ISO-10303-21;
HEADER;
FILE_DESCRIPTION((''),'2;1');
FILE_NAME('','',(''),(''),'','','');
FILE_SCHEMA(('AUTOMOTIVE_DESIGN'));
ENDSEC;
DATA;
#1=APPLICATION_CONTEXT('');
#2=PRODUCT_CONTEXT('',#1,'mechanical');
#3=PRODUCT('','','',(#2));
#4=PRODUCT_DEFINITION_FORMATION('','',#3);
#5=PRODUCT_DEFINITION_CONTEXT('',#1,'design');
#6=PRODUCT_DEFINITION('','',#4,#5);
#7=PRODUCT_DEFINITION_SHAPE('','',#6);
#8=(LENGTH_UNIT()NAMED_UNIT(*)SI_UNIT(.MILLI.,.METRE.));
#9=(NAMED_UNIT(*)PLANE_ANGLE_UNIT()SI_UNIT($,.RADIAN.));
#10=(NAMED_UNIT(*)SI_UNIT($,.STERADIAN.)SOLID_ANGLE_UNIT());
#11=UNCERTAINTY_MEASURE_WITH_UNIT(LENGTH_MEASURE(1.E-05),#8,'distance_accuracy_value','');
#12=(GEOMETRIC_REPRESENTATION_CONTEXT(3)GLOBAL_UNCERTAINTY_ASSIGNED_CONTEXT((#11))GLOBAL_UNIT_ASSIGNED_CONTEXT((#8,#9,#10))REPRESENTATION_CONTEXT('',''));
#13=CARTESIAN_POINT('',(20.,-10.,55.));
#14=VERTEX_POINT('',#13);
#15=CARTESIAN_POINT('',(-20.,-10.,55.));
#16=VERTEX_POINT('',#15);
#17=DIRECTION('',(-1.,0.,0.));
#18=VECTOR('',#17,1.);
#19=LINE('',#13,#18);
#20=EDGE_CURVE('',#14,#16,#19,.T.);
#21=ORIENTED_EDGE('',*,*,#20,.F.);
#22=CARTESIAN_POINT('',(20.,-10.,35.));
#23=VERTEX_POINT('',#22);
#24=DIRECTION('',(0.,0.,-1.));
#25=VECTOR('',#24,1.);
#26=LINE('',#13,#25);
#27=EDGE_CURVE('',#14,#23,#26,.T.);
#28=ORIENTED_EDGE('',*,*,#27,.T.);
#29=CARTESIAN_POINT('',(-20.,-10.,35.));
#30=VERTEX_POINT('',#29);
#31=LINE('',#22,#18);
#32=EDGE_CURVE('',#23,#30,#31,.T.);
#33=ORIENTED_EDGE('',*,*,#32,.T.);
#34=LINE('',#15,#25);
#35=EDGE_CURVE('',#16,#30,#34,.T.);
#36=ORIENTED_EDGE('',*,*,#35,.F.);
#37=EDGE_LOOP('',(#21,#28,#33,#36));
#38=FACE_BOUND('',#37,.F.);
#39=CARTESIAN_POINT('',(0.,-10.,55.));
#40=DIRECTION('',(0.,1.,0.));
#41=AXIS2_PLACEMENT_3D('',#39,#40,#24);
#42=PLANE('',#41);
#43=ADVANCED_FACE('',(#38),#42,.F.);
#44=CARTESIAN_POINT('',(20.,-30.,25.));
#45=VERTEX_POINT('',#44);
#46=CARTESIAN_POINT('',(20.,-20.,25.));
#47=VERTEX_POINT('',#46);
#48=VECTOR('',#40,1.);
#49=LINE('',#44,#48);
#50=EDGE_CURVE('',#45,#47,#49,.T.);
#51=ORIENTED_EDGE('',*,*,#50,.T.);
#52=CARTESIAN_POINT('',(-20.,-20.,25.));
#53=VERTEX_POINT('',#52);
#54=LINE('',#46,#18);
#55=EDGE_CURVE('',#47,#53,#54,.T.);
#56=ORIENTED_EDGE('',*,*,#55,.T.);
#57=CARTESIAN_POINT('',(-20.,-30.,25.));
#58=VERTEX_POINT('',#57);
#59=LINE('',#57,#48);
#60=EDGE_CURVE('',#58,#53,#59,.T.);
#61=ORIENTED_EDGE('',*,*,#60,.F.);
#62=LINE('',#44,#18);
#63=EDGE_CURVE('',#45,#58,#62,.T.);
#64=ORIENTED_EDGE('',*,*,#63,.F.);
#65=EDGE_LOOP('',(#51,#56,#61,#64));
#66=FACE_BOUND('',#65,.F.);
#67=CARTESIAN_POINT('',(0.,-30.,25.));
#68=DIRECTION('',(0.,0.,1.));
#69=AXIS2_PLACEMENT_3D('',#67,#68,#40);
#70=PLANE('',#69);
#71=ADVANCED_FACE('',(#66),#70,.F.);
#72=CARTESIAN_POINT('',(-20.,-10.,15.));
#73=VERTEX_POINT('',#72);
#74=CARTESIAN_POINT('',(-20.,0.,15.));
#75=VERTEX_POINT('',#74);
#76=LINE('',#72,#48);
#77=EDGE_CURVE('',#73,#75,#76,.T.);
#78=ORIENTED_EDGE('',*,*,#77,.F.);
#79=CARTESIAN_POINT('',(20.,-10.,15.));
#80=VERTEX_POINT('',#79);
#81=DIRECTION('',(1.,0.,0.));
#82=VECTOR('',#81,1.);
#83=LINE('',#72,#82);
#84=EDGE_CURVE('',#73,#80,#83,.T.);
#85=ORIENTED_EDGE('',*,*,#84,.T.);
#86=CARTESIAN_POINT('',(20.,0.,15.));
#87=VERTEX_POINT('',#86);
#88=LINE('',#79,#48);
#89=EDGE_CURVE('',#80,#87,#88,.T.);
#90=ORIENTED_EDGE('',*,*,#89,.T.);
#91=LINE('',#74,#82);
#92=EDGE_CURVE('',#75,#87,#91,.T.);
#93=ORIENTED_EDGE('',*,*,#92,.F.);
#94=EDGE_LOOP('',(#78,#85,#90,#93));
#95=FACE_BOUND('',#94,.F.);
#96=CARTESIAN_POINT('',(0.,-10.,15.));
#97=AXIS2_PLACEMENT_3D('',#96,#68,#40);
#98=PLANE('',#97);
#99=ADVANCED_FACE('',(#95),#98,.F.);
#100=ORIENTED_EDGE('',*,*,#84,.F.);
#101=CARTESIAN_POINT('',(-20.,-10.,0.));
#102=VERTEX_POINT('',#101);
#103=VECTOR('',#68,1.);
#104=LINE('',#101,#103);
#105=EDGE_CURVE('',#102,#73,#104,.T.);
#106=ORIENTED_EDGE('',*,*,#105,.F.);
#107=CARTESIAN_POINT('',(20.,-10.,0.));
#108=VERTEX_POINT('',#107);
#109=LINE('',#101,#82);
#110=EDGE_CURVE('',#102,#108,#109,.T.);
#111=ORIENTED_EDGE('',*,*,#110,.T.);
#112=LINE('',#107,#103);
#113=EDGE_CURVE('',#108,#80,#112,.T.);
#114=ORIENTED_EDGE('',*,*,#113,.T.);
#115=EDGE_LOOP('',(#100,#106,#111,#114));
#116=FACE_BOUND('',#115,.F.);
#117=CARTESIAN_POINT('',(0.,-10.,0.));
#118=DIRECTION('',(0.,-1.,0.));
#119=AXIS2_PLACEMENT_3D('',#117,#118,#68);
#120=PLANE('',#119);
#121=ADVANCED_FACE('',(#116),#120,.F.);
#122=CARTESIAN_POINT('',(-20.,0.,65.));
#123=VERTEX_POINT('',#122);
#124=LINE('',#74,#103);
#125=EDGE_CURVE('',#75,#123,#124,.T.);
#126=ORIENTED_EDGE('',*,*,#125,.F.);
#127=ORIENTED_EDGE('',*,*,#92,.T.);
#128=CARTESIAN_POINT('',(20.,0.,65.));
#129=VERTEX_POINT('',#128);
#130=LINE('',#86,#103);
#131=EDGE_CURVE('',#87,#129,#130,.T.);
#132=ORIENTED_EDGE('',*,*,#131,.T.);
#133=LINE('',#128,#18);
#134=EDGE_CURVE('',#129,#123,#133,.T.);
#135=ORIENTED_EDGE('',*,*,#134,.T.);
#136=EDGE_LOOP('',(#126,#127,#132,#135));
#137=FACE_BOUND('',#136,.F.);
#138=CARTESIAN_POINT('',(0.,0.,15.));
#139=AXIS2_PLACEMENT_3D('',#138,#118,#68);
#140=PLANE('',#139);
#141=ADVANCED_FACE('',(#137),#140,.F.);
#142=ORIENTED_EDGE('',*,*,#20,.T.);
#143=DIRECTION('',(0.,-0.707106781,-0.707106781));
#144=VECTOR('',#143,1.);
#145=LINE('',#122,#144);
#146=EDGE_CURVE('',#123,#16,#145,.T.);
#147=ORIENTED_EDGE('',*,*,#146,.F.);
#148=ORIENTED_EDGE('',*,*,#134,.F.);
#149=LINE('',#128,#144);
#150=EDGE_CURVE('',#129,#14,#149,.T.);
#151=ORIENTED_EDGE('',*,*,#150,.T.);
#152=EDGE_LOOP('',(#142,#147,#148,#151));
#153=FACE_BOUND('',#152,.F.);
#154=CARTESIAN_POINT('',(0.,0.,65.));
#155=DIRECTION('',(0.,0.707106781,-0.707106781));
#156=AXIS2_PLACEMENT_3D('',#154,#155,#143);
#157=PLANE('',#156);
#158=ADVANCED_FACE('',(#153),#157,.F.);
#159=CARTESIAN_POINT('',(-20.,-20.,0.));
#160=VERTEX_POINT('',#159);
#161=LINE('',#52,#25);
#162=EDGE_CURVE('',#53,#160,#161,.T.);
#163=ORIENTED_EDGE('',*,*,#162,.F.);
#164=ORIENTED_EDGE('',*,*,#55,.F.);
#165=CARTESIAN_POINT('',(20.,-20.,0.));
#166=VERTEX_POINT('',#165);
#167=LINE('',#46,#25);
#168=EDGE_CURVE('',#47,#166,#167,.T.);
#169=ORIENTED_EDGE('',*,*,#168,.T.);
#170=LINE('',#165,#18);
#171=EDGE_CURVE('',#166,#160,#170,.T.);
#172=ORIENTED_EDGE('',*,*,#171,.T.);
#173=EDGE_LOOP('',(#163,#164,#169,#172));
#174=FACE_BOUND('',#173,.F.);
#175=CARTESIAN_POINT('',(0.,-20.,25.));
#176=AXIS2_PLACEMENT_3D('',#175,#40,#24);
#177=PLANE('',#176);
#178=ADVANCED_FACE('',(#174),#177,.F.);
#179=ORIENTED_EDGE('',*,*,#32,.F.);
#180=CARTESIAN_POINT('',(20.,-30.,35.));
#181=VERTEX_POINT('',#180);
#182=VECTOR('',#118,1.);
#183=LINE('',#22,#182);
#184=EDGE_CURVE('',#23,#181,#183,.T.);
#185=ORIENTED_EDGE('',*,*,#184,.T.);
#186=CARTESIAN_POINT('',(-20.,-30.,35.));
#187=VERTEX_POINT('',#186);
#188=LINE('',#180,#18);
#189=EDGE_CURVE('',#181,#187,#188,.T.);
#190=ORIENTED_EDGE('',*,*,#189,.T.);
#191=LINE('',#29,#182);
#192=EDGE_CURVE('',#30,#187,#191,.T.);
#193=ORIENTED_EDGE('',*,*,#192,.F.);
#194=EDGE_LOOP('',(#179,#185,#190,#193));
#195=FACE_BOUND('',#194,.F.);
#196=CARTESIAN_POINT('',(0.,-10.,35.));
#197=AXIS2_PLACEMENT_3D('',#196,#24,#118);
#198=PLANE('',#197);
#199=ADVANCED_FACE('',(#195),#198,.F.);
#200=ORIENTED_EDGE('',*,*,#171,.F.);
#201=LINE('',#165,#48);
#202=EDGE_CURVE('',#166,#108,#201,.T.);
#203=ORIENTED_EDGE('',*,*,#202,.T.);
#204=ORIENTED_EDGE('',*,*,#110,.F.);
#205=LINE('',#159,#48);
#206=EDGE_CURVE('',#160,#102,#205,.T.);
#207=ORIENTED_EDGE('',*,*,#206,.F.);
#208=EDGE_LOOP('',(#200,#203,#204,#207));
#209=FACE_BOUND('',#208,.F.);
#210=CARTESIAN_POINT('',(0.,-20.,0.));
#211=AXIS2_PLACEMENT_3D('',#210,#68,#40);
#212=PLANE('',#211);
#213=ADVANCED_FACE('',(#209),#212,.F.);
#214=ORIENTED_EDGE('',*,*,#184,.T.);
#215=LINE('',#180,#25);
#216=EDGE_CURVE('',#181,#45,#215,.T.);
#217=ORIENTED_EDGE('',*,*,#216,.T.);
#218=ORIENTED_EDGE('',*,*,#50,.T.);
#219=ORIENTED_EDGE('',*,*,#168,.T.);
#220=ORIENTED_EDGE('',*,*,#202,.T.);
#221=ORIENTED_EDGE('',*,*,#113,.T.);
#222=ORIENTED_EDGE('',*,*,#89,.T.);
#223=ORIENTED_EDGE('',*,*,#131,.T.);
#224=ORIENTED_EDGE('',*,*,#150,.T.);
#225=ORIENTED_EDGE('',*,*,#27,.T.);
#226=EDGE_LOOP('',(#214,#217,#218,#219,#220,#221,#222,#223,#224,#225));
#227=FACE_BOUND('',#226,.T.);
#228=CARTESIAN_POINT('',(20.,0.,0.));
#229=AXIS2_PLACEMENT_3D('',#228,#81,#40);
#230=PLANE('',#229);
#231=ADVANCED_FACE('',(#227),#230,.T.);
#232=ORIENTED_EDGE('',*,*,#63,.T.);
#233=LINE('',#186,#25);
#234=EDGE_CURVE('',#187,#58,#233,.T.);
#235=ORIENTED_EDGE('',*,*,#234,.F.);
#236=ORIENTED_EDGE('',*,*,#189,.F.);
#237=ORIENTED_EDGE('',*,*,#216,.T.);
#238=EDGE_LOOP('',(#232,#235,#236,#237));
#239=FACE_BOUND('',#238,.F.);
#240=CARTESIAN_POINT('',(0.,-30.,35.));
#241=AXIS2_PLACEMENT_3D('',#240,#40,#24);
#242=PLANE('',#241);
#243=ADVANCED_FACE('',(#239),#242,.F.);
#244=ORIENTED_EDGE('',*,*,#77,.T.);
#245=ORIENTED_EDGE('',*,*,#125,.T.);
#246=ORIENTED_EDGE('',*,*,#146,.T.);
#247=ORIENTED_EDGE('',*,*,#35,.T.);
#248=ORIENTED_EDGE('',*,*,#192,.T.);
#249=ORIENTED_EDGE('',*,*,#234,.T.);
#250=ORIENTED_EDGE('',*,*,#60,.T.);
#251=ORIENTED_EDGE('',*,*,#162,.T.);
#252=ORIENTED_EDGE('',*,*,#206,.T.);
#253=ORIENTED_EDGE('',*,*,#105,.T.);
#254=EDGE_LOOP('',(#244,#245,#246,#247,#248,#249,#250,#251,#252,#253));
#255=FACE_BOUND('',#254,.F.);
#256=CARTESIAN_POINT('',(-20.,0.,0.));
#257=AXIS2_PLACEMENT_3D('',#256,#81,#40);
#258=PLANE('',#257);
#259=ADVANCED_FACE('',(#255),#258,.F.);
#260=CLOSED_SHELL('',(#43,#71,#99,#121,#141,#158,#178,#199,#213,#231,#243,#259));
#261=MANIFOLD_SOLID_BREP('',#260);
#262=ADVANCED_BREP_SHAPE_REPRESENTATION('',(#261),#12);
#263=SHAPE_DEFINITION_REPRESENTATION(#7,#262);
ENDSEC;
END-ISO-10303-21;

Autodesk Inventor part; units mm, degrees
ref_plane "YZ Plane" through (0, 0, 0) normal (1, 0, 0) x (0, 1, 0)
ref_plane "XZ Plane" through (0, 0, 0) normal (0, 1, 0) x (-1, 0, 0)
ref_plane "XY Plane" through (0, 0, 0) normal (0, 0, 1) x (1, 0, 0)
sketch "Sketch1" plane through (0, 0, 0) normal (1, 0, 0) x (0, 1, 0)
  line L0 (-10, 0) -> (-10, 15)
  line L1 (-10, 15) -> (0, 15)
  line L2 (0, 15) -> (0, 65)
  line L3 (0, 65) -> (-10, 55)
  line L4 (-10, 55) -> (-10, 35)
  line L5 (-10, 35) -> (-30, 35)
  line L6 (-30, 35) -> (-30, 25)
  line L7 (-30, 25) -> (-20, 25)
  line L8 (-20, 25) -> (-20, 0)
  line L9 (-20, 0) -> (-10, 0)
  point P0 (0, 0)
  dimension "d0" = 65
  dimension "d1" = 15
  dimension "d2" = 10
  dimension "d3" = 10
  dimension "d4" = 10
  dimension "d5" = 25
  dimension "d6" = 10
  dimension "d7" = 20
extrude "Extrusion1" add sketch "Sketch1" along normal mid plane 40
ref_plane "Work Plane1" through (-20, 0, 65) normal (0, 0, -1) x (-1, 0, 0)
properties part number "vistas_ortogonais"
